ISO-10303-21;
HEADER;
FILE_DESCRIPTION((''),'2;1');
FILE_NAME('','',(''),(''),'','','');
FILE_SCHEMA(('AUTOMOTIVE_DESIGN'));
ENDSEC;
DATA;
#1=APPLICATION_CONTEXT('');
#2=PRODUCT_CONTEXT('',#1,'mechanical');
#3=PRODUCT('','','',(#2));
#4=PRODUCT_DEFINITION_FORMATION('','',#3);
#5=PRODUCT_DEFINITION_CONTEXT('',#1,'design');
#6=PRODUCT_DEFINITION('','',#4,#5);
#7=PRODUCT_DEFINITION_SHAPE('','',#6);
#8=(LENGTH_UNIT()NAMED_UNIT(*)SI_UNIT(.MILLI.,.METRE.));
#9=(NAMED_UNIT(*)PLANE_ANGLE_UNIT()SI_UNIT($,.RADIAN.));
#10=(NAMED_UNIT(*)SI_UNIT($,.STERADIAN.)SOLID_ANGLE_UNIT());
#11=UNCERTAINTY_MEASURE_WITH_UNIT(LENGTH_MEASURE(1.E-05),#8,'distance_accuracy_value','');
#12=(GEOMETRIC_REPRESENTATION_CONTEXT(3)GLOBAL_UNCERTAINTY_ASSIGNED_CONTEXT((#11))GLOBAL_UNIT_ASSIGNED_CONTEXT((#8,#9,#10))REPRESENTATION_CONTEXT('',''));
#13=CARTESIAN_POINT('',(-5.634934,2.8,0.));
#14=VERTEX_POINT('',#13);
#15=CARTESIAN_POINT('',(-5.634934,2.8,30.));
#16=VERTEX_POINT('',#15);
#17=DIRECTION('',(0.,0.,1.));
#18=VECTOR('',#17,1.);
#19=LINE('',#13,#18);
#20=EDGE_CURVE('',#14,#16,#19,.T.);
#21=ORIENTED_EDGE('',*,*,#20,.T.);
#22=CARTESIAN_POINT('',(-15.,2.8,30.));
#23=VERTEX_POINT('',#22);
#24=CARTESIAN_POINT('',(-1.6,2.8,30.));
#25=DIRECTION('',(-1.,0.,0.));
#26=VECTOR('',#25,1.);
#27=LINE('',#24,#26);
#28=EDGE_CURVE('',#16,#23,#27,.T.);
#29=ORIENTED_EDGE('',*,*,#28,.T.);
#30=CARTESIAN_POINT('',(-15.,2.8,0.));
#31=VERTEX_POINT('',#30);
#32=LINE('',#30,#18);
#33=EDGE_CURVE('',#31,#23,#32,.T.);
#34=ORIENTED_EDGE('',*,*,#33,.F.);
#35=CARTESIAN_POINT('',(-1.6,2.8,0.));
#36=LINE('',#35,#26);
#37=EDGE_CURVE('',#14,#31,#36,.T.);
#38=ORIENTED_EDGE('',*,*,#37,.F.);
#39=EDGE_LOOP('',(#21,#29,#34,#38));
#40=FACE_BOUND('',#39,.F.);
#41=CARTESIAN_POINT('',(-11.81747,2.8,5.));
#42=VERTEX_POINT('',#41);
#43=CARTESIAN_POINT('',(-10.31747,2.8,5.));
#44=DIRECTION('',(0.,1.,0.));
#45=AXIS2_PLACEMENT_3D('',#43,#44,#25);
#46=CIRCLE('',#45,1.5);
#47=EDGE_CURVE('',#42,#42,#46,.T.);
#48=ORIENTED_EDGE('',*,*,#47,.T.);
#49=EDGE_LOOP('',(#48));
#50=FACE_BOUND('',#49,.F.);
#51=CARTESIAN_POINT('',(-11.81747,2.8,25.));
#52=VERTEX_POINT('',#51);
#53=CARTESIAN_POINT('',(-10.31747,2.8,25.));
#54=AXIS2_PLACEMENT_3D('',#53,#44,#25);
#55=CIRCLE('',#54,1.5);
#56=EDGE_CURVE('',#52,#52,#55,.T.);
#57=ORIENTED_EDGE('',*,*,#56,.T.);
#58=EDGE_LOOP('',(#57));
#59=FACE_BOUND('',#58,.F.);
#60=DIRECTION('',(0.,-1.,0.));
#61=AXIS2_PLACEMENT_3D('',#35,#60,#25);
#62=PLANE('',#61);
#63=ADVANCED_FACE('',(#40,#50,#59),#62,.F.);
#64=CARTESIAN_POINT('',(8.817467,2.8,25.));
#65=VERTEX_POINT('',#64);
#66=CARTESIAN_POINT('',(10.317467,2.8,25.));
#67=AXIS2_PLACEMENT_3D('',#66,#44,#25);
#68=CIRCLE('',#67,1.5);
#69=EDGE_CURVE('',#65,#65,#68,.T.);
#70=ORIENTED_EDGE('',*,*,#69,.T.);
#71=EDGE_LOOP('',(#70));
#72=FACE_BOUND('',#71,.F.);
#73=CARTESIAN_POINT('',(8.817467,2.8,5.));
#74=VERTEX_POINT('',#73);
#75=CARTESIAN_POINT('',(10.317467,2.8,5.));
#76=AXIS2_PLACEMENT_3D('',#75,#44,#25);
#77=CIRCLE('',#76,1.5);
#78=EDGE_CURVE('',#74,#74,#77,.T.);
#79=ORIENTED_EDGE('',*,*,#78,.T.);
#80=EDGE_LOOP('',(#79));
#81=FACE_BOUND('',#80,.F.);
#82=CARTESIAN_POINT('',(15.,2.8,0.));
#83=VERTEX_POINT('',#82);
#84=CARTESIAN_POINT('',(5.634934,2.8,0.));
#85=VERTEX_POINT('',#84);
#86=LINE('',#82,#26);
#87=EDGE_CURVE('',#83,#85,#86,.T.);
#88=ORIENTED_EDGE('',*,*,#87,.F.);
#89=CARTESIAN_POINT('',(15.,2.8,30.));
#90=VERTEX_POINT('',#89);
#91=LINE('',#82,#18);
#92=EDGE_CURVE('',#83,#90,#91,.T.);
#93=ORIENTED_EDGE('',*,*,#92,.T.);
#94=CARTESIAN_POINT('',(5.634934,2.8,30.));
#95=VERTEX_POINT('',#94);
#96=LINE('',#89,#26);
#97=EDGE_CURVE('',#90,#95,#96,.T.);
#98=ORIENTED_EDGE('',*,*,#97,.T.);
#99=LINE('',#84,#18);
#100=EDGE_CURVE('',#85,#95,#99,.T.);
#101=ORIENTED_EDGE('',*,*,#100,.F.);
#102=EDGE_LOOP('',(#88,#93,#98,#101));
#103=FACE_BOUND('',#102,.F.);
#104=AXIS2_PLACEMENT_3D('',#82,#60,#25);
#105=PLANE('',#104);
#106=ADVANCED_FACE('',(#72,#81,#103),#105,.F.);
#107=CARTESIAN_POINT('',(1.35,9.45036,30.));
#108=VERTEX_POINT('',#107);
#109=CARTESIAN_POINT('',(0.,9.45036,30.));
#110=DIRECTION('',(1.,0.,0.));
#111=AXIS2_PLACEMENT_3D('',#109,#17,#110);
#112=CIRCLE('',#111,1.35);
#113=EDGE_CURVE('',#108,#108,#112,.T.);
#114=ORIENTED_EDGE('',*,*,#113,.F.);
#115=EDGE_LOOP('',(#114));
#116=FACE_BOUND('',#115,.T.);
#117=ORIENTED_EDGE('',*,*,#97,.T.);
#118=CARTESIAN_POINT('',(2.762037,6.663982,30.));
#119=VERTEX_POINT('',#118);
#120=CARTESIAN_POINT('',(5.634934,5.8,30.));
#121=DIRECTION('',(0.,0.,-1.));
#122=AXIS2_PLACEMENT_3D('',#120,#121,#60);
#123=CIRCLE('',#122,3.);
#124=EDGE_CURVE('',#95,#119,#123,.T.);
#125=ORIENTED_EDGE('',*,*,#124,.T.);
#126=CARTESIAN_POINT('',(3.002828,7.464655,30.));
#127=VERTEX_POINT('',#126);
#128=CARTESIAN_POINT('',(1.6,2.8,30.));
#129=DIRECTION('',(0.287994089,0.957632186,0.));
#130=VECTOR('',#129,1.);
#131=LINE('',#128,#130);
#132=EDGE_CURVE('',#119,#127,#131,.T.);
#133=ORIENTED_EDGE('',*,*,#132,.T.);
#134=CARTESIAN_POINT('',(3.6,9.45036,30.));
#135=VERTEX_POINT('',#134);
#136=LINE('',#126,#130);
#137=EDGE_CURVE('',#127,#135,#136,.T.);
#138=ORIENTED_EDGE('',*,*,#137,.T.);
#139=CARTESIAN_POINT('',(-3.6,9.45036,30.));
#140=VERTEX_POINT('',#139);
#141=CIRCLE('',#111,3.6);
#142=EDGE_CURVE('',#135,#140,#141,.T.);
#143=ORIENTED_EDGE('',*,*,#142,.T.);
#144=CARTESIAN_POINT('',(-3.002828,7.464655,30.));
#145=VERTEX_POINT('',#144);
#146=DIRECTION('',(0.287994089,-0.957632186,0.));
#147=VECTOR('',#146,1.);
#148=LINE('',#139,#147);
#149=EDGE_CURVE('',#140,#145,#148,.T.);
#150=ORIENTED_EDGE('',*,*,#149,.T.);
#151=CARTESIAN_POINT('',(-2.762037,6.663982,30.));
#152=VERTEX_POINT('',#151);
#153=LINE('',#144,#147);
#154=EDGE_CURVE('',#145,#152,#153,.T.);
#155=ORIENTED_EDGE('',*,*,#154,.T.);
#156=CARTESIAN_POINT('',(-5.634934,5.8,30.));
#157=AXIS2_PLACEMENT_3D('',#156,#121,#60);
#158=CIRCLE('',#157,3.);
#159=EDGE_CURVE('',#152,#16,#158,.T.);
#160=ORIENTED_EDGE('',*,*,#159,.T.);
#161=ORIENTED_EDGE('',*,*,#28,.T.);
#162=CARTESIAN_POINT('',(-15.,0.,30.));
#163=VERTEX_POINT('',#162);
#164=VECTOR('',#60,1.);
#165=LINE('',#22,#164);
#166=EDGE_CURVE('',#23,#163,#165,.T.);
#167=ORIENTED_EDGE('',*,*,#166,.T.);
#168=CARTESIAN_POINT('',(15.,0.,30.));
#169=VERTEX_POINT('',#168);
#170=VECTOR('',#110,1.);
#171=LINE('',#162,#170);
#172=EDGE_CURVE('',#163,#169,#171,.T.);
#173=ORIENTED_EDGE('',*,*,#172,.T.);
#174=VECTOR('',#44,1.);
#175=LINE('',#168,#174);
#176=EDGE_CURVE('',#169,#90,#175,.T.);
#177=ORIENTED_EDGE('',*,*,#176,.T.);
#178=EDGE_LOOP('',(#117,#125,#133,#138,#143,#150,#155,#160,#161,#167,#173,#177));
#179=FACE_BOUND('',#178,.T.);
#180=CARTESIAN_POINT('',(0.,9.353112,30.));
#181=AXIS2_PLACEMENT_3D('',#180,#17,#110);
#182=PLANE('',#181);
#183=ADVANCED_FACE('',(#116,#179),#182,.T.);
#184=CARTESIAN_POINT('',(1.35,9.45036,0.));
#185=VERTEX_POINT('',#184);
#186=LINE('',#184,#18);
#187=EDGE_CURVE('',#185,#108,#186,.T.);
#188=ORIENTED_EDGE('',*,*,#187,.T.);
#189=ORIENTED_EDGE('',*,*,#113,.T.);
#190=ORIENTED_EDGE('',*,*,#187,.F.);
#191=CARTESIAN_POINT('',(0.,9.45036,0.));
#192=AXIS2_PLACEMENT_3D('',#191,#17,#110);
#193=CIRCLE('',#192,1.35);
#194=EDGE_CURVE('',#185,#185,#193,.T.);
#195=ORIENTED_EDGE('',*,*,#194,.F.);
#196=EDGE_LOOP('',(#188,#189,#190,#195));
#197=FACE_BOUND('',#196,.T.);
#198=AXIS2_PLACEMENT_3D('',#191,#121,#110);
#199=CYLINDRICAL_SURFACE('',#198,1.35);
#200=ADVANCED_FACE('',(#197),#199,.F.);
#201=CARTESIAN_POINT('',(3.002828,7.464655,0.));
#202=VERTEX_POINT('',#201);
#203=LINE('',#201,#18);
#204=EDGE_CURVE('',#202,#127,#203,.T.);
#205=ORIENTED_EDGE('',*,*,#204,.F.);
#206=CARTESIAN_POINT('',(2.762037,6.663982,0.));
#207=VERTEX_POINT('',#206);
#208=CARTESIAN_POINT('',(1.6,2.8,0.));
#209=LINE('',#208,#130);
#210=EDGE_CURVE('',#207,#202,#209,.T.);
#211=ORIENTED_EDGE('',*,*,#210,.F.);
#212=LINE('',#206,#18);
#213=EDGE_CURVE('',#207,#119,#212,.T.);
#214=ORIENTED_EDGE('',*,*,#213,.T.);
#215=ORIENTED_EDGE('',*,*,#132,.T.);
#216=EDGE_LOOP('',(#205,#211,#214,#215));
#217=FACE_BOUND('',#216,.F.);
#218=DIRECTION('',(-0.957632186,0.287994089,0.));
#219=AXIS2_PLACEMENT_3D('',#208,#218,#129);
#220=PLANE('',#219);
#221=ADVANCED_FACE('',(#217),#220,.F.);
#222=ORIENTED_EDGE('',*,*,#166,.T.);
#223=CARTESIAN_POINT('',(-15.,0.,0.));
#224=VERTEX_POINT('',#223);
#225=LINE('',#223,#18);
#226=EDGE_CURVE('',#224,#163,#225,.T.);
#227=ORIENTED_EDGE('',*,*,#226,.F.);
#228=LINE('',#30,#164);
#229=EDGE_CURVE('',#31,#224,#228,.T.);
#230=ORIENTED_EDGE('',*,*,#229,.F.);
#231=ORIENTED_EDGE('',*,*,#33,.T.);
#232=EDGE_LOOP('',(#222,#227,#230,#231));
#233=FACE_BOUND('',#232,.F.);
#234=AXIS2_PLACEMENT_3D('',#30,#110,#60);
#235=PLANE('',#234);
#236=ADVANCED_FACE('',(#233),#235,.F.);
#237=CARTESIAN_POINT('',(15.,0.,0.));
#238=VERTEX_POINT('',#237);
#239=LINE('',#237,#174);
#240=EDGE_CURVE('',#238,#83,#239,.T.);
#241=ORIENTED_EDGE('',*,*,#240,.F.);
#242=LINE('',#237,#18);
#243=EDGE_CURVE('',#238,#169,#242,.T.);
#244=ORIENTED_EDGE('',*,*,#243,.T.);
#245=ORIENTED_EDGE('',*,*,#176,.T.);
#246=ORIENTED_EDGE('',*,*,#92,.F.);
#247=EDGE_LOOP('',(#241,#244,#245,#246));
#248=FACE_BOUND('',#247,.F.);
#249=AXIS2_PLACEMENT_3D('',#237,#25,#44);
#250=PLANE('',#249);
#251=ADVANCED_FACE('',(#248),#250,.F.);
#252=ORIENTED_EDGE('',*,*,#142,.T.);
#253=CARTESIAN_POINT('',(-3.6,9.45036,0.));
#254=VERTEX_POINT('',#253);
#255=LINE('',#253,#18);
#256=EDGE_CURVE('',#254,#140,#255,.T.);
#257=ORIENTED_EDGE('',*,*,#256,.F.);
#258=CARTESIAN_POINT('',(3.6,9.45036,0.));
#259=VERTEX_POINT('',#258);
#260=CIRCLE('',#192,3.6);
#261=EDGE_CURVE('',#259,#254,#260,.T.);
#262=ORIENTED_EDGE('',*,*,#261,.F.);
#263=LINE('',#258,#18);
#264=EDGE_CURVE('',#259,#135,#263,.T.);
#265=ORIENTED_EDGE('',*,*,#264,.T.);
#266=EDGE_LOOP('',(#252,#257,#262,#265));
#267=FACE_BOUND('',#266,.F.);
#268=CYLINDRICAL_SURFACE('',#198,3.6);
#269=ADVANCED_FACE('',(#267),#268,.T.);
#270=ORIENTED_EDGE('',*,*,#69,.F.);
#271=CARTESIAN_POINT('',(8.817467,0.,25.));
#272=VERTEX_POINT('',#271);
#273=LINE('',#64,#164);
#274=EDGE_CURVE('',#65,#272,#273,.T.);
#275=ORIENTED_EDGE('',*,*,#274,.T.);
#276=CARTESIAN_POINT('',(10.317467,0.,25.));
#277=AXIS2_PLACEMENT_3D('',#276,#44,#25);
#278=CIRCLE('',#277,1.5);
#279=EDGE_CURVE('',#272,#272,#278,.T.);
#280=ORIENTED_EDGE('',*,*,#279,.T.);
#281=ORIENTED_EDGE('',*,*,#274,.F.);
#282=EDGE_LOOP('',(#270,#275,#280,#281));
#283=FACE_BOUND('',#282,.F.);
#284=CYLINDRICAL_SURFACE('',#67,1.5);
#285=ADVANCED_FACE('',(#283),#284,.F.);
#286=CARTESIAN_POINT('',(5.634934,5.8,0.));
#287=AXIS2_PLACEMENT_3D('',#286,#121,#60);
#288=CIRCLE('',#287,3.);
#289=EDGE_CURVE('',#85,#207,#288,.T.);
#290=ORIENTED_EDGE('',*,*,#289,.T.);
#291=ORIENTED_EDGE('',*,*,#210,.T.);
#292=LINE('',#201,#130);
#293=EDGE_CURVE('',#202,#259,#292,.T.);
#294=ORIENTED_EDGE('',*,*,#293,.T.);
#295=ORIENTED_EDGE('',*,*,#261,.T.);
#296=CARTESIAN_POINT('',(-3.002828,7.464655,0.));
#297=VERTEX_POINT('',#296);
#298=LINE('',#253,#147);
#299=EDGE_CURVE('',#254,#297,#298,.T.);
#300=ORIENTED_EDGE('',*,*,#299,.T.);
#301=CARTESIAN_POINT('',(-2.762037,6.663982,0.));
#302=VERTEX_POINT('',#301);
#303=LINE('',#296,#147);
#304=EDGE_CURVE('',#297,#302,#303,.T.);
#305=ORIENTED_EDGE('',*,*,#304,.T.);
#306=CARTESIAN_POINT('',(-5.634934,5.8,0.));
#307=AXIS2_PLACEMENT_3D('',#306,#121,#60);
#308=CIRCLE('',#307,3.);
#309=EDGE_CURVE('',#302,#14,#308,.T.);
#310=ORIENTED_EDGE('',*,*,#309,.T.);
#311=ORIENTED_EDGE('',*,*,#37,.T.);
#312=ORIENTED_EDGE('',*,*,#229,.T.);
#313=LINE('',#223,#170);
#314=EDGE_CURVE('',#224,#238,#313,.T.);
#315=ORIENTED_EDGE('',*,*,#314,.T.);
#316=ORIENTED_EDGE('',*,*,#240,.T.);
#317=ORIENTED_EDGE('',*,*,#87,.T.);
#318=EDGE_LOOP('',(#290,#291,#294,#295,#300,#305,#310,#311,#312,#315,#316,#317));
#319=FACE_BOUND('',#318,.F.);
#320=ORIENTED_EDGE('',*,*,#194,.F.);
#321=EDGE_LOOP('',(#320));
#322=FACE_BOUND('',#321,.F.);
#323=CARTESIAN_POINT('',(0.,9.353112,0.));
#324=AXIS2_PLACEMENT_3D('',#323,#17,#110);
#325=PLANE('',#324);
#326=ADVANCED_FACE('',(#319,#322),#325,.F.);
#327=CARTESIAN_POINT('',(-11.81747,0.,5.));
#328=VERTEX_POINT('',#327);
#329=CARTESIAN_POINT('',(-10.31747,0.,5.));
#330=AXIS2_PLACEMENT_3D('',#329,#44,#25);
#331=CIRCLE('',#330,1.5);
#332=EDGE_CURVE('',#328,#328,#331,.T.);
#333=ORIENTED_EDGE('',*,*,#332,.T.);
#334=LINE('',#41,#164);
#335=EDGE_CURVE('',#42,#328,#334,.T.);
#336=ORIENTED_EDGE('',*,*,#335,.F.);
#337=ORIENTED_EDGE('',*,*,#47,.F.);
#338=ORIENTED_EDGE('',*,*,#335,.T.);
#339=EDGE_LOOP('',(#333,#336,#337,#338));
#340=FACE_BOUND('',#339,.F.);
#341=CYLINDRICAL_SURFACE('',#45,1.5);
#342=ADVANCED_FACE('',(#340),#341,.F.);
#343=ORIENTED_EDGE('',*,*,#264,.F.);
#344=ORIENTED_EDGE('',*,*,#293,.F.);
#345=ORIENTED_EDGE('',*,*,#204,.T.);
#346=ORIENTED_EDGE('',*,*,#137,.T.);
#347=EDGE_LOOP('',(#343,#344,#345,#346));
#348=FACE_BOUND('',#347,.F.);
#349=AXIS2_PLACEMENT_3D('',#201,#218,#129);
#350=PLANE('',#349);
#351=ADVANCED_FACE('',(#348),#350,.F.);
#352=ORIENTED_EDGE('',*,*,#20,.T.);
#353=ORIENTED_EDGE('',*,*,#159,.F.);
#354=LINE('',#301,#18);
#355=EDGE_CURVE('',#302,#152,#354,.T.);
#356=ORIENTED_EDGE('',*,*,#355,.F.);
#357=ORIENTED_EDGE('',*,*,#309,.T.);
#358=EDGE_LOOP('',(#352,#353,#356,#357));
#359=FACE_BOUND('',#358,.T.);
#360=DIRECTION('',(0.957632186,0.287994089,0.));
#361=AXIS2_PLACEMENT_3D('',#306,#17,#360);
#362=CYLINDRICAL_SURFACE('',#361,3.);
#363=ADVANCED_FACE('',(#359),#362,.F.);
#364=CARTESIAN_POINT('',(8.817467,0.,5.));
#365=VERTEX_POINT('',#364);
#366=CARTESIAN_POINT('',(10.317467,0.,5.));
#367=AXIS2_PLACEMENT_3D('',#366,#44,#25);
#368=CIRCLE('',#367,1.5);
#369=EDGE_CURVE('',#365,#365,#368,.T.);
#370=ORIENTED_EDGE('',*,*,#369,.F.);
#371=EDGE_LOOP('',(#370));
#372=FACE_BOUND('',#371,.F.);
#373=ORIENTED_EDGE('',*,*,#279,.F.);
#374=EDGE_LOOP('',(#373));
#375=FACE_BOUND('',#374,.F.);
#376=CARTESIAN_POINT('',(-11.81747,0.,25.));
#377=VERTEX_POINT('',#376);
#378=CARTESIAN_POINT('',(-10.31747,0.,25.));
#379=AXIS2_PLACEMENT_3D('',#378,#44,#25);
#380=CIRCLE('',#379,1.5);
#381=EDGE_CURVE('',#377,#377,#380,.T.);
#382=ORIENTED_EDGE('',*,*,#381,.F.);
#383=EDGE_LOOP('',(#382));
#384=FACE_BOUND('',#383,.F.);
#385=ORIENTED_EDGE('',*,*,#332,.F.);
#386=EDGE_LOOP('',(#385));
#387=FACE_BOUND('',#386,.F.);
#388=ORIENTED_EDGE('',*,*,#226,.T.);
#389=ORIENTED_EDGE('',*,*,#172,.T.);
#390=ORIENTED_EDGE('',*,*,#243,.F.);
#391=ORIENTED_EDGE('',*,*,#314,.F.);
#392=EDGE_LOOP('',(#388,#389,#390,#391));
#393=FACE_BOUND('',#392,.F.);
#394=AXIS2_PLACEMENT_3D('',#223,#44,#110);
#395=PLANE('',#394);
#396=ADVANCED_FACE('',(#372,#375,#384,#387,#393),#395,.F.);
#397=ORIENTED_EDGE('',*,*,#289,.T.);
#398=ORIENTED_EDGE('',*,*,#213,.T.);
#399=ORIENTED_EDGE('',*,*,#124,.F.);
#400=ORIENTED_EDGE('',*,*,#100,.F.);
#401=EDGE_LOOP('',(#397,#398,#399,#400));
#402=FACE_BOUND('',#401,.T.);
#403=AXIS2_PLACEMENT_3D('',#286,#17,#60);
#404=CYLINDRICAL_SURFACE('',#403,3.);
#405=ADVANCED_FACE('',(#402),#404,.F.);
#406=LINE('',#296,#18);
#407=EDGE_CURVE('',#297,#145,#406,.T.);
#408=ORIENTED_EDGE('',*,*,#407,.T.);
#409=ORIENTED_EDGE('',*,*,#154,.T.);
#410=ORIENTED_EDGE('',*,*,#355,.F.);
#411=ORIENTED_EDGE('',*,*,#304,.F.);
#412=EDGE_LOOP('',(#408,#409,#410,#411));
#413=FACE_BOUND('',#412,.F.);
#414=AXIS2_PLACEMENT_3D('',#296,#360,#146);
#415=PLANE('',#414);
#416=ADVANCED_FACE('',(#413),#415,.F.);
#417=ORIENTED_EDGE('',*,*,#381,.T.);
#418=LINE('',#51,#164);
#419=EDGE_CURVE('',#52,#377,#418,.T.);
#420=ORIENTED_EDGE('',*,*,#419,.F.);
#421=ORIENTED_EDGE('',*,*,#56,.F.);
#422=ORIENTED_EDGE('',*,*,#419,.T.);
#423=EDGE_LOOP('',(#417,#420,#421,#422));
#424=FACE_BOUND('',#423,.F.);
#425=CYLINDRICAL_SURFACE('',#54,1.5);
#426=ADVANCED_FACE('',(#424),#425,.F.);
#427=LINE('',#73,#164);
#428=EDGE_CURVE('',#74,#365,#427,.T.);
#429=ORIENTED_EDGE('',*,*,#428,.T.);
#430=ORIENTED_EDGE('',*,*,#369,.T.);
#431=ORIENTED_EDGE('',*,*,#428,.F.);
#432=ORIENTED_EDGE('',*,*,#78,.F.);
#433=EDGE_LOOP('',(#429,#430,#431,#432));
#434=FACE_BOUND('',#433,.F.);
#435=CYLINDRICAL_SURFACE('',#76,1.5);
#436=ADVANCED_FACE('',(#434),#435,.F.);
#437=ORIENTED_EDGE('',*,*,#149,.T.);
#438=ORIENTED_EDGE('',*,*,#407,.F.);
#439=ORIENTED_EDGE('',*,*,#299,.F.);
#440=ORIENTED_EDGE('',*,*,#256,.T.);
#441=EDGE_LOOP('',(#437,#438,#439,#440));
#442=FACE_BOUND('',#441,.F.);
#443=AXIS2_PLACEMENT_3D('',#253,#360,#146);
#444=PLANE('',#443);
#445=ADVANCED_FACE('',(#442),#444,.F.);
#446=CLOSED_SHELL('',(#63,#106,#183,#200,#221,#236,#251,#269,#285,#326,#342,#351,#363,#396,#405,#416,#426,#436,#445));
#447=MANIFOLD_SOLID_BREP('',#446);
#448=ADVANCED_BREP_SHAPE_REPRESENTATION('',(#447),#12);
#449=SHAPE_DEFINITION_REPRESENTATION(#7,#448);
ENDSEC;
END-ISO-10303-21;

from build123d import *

# Parameters (mm, degrees)
F0_R     = 1.35
F1_DEPTH = 30
F2_R     = 3
F3_R     = 1.5
F4_DEPTH = 25


with BuildPart() as f1:
    # F0 (on Top) → F1 (new body)
    with BuildSketch(Plane.XY):
        with BuildLine():
            ThreePointArc((-3.0028277119, 7.4646546511), (0, 5.85036), (3.0028277119, 7.4646546511))
            Line((3.0028277119, 7.4646546511), (3.6, 9.45036))
            ThreePointArc((3.6, 9.45036), (0, 13.05036), (-3.6, 9.45036))
            Line((-3.6, 9.45036), (-3.0028277119, 7.4646546511))
        make_face()
        with Locations((0, 9.45036)):
            Circle(F0_R, mode=Mode.SUBTRACT)
        with BuildLine():
            Line((-1.6, 2.8), (1.6, 2.8))
            Line((1.6, 2.8), (3.0028277119, 7.4646546511))
            ThreePointArc((3.0028277119, 7.4646546511), (0, 5.85036), (-3.0028277119, 7.4646546511))
            Line((-3.0028277119, 7.4646546511), (-1.6, 2.8))
        make_face()
        Polygon((-15, 0), (15, 0), (15, 2.8), (1.6, 2.8), (-1.6, 2.8), (-15, 2.8), align=None)
    extrude(amount=F1_DEPTH)

    # F2
    f2_edges = [f1.edges().sort_by_distance(p)[0] for p in [
        (-1.6, 2.8, 15),
        (1.6, 2.8, 15),
    ]]
    fillet(f2_edges, radius=F2_R)

    # F3 (on face) → F4 (cut)
    with BuildSketch(Plane(origin=(0, 2.8, 0), x_dir=(-1, 0, 0), z_dir=(0, 1, 0))):
        with Locations((-10.3174667911, 25)):
            Circle(F3_R)
        with Locations((-10.3174667911, 5)):
            Circle(F3_R)
        with Locations((10.31747, 5)):
            Circle(F3_R)
        with Locations((10.31747, 25)):
            Circle(F3_R)
    extrude(amount=-F4_DEPTH, mode=Mode.SUBTRACT)


solid = f1.part
